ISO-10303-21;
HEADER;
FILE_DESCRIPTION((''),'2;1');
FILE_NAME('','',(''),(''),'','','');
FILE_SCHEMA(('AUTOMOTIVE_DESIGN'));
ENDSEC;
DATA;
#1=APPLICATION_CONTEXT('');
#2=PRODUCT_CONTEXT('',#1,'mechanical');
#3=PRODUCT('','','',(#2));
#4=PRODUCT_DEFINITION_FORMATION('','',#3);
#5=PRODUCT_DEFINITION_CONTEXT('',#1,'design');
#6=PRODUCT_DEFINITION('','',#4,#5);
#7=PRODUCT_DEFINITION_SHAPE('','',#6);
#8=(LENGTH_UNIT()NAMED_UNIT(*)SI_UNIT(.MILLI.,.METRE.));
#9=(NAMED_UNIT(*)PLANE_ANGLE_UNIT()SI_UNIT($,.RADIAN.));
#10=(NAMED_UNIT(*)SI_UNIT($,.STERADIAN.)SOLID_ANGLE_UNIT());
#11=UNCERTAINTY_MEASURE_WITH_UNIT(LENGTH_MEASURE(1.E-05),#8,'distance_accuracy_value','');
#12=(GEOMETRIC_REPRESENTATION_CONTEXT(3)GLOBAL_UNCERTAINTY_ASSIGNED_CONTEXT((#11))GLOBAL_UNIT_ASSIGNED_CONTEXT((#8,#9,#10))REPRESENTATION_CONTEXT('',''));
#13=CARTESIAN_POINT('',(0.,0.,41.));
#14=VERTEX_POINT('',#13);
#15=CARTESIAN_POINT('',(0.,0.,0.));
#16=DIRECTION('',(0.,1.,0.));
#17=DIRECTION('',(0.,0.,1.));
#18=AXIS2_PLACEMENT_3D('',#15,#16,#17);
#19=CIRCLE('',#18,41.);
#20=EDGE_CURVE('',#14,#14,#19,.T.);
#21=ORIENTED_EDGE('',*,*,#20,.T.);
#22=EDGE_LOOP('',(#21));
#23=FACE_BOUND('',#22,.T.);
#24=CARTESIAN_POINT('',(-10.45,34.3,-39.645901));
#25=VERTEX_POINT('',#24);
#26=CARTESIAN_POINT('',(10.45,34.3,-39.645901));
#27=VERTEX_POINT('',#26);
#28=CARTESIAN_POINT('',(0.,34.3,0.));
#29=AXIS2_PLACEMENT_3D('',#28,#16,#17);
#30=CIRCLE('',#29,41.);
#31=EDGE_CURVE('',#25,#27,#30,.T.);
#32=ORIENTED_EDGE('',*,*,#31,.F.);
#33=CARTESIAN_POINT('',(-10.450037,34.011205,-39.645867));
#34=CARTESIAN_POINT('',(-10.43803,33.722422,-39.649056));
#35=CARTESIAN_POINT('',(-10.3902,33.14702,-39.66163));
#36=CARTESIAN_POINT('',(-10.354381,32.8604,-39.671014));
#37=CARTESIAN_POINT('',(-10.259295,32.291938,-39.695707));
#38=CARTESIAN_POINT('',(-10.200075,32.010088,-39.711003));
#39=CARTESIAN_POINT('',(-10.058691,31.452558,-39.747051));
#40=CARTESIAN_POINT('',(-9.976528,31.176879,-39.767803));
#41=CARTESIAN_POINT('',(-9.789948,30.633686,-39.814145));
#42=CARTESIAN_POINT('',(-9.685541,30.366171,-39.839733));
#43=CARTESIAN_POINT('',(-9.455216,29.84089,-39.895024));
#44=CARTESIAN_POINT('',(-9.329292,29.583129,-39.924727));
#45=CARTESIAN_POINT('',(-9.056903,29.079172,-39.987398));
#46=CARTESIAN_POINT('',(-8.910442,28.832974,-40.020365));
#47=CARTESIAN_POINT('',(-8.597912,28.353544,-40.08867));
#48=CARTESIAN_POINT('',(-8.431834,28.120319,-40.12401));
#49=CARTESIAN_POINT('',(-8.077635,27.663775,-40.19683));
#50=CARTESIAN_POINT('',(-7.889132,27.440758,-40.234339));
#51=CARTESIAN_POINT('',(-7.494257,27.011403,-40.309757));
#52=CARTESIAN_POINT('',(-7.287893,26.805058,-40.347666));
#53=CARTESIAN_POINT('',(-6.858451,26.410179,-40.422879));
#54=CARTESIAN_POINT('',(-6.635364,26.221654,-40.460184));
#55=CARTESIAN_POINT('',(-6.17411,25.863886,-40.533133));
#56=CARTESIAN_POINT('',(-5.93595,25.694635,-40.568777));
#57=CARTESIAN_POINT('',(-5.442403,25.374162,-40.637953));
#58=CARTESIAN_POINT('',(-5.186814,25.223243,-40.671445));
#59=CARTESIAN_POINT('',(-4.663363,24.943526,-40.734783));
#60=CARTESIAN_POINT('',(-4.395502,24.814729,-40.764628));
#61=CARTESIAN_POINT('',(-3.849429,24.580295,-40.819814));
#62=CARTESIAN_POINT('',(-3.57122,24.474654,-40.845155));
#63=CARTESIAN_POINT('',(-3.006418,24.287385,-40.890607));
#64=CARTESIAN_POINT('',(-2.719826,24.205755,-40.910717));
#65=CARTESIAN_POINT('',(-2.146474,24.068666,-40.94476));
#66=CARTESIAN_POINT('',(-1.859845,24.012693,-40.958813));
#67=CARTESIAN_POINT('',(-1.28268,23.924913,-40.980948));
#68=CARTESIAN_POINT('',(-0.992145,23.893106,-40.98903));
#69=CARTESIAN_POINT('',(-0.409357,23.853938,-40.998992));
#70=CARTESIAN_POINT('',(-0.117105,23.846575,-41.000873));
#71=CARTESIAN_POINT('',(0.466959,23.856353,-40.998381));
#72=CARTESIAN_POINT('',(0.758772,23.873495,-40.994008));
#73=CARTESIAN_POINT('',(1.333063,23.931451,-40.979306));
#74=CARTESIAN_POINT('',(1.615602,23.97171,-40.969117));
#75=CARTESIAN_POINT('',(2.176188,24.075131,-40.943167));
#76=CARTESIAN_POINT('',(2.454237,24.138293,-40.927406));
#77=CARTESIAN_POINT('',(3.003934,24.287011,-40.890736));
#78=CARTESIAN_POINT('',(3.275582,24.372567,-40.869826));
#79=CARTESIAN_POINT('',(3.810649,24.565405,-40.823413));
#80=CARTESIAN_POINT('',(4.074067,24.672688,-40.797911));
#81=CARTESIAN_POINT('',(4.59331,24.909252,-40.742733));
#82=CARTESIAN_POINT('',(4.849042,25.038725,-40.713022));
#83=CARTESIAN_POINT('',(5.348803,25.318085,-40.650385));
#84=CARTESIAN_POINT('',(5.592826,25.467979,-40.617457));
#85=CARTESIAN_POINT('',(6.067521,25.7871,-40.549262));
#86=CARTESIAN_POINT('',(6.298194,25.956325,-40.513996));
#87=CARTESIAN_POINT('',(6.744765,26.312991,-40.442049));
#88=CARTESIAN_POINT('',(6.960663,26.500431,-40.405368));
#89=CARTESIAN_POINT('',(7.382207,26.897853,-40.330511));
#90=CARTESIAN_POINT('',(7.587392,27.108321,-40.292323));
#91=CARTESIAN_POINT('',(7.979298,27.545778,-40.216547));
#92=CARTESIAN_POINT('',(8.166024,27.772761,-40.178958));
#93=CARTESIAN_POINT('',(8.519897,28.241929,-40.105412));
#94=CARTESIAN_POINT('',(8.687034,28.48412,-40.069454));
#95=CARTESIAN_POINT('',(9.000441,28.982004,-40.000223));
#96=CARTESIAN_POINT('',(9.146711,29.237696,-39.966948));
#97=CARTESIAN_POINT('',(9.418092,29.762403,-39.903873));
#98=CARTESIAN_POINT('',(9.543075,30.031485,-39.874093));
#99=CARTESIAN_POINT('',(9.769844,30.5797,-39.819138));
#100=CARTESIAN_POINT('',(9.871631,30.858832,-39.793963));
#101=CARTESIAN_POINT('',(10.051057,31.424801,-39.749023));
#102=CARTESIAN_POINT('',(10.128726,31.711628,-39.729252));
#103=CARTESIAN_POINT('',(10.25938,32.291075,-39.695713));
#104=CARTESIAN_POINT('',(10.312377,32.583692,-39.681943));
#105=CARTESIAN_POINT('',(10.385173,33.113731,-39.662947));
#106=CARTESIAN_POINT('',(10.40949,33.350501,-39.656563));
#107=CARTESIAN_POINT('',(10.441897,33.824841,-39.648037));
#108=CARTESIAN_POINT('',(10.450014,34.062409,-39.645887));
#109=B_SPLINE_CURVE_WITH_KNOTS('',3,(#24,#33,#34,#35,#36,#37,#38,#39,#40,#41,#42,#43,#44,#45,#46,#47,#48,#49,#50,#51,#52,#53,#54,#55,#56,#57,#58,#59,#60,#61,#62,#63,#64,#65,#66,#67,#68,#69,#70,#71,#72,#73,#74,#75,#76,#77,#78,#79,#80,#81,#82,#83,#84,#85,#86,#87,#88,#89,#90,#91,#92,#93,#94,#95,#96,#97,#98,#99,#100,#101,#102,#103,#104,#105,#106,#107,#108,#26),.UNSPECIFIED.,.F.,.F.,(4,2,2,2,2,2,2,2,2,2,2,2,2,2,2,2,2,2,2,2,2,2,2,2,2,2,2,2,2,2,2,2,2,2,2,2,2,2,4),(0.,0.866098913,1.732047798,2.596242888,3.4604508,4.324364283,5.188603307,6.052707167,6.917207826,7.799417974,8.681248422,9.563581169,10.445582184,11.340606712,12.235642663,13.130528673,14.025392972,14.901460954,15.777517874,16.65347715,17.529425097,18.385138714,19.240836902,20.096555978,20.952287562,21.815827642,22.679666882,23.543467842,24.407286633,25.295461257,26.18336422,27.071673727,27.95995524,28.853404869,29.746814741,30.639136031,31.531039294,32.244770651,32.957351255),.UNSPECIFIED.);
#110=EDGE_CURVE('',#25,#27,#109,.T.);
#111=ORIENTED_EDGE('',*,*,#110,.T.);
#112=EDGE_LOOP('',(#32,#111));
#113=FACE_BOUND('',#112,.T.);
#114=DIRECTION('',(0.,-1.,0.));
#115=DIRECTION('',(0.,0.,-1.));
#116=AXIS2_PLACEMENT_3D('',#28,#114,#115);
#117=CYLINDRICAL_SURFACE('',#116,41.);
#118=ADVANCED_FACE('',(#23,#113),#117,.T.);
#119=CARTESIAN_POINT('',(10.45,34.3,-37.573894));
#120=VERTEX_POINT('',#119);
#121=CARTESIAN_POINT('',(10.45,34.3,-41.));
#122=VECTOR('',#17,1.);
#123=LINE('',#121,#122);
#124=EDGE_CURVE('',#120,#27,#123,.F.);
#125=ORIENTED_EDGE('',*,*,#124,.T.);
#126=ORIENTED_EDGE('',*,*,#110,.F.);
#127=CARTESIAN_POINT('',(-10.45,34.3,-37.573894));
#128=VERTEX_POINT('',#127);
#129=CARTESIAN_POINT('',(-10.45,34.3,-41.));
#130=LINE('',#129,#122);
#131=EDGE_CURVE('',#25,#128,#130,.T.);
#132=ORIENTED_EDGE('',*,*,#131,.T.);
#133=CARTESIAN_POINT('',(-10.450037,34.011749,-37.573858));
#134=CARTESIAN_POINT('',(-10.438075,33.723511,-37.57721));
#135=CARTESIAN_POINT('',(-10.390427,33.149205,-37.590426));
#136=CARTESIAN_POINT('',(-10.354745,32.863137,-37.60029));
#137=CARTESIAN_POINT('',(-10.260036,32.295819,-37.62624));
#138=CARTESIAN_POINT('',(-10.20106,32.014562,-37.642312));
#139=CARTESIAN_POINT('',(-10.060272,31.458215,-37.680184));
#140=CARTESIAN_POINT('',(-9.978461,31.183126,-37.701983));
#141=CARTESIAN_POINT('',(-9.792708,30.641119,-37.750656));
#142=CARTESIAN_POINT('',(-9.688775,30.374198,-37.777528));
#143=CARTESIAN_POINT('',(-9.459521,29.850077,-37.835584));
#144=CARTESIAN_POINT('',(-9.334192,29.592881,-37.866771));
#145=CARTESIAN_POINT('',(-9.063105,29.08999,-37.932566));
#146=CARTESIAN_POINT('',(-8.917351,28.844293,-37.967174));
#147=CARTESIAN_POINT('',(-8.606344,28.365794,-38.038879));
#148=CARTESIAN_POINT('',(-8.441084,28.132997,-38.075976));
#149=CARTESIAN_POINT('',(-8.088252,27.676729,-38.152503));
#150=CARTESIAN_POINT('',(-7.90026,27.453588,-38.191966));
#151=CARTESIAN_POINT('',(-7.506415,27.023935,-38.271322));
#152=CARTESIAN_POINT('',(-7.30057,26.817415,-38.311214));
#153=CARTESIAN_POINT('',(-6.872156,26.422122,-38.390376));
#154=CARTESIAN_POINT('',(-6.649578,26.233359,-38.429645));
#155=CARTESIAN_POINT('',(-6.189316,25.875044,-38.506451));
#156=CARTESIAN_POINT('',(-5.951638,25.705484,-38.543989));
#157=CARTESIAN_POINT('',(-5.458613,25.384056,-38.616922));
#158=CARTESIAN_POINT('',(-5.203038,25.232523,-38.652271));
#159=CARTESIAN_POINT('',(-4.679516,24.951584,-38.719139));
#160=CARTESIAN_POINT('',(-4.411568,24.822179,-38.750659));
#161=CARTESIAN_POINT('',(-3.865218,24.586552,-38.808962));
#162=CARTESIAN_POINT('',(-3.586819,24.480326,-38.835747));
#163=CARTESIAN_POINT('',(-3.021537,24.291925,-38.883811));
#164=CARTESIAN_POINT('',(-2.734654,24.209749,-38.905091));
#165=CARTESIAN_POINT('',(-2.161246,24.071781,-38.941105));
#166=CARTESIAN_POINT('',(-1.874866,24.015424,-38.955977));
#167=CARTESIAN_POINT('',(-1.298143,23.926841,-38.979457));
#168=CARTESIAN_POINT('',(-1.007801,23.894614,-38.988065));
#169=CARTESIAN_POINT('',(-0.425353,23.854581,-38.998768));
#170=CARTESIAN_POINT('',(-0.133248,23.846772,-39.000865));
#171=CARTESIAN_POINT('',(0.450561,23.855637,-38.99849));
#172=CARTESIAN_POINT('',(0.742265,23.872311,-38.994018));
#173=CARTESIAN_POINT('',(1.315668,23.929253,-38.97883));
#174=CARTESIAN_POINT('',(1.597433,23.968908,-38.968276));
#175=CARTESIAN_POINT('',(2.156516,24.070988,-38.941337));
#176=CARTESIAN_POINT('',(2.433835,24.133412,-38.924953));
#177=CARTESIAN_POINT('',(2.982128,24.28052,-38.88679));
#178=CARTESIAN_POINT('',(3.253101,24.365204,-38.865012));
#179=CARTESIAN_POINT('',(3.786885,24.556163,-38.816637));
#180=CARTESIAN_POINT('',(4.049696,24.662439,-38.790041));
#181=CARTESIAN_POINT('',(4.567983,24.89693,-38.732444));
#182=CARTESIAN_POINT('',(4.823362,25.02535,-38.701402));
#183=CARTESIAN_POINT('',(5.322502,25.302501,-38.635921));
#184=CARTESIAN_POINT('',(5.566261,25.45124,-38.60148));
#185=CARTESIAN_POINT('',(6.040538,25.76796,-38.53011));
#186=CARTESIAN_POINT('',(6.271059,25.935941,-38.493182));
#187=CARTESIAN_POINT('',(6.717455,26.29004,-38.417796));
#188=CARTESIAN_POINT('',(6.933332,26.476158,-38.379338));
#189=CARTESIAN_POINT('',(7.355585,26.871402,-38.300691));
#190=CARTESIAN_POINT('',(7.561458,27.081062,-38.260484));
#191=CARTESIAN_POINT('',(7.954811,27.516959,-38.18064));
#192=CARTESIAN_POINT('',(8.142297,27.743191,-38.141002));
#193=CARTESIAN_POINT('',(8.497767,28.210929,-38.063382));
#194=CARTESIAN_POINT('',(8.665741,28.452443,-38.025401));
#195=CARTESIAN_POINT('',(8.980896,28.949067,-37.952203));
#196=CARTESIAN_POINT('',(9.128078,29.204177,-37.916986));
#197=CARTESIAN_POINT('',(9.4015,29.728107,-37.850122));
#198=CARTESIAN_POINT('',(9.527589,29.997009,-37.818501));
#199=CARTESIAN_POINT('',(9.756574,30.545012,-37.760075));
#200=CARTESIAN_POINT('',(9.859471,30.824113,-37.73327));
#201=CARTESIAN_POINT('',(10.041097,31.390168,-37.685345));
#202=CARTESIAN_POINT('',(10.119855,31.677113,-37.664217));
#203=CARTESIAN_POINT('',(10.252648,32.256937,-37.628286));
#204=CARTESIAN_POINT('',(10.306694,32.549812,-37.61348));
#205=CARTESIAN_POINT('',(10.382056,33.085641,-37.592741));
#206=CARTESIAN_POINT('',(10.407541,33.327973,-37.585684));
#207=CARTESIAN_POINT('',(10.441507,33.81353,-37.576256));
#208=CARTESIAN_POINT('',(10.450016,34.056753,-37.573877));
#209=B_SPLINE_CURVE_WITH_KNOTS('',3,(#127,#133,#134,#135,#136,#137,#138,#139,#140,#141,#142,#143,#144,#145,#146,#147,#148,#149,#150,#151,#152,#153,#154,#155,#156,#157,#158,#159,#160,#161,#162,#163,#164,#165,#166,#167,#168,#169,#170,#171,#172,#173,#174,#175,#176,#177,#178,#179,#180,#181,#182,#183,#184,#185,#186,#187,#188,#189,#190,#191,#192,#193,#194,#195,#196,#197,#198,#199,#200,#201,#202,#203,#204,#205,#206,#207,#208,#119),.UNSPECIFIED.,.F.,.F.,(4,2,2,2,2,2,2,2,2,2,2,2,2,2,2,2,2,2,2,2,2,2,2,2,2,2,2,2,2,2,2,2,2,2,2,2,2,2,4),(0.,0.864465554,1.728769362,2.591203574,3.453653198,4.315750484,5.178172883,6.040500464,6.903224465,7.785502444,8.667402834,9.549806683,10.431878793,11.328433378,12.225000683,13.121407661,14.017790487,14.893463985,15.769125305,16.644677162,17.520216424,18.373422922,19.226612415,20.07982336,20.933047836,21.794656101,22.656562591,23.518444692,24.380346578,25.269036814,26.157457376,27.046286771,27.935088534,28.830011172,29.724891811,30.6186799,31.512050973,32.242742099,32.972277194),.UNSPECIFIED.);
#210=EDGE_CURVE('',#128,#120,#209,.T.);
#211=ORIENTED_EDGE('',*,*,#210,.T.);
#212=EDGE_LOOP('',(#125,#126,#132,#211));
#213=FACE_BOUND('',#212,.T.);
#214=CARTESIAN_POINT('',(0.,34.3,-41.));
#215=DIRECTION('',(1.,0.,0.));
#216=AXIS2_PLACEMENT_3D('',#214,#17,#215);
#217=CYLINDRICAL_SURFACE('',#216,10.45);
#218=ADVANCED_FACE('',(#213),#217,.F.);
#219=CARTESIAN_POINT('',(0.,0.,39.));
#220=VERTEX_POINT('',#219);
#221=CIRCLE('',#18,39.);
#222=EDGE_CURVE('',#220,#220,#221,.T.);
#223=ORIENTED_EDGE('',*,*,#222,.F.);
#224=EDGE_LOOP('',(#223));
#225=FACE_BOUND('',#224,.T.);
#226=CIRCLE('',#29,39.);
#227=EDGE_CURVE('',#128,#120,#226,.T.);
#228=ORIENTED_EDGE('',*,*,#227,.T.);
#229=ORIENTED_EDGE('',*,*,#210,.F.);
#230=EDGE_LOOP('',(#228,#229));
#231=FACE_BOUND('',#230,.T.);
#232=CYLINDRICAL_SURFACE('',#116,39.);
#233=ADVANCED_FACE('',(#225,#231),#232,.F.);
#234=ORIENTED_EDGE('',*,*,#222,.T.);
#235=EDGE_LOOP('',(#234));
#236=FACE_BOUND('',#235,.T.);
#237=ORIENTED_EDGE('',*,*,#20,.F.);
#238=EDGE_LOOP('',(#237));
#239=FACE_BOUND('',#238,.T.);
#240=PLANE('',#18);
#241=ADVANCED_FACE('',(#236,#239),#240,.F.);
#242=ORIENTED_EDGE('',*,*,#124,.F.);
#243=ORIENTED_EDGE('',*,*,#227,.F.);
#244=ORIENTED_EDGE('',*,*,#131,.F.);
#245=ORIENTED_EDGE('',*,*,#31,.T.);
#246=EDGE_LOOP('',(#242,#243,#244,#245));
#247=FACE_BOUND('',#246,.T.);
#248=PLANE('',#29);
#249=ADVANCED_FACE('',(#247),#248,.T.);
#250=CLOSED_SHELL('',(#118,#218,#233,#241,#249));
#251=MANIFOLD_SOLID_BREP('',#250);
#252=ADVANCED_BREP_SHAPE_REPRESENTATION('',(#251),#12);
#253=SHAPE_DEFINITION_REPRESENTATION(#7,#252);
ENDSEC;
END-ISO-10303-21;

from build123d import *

# Parameters (mm, degrees)
SKETCH1_R           = 41
SKETCH1_R_2         = 39
BOSS_EXTRUDE1_DEPTH = 34.3
SKETCH2_R           = 10.45
CUT_EXTRUDE1_DEPTH  = 68.368315995


with BuildPart() as part:
    # Sketch1 → Boss-Extrude1 (new body)
    with BuildSketch(Plane(origin=(0, 0, 0), x_dir=(1, 0, 0), z_dir=(0, 1, 0))):
        with Locations(Location((0, 0, 0), (0, 0, 270))):
            Circle(SKETCH1_R)
        with Locations(Location((0, 0, 0), (0, 0, 270))):
            Circle(SKETCH1_R_2, mode=Mode.SUBTRACT)
    extrude(amount=BOSS_EXTRUDE1_DEPTH)

    # Sketch2 → Cut-Extrude1 (cut, through all)
    with BuildSketch(Plane.XY):
        with Locations((0, 34.3)):
            Circle(SKETCH2_R)
    extrude(amount=-CUT_EXTRUDE1_DEPTH, mode=Mode.SUBTRACT)


solid = part.part
